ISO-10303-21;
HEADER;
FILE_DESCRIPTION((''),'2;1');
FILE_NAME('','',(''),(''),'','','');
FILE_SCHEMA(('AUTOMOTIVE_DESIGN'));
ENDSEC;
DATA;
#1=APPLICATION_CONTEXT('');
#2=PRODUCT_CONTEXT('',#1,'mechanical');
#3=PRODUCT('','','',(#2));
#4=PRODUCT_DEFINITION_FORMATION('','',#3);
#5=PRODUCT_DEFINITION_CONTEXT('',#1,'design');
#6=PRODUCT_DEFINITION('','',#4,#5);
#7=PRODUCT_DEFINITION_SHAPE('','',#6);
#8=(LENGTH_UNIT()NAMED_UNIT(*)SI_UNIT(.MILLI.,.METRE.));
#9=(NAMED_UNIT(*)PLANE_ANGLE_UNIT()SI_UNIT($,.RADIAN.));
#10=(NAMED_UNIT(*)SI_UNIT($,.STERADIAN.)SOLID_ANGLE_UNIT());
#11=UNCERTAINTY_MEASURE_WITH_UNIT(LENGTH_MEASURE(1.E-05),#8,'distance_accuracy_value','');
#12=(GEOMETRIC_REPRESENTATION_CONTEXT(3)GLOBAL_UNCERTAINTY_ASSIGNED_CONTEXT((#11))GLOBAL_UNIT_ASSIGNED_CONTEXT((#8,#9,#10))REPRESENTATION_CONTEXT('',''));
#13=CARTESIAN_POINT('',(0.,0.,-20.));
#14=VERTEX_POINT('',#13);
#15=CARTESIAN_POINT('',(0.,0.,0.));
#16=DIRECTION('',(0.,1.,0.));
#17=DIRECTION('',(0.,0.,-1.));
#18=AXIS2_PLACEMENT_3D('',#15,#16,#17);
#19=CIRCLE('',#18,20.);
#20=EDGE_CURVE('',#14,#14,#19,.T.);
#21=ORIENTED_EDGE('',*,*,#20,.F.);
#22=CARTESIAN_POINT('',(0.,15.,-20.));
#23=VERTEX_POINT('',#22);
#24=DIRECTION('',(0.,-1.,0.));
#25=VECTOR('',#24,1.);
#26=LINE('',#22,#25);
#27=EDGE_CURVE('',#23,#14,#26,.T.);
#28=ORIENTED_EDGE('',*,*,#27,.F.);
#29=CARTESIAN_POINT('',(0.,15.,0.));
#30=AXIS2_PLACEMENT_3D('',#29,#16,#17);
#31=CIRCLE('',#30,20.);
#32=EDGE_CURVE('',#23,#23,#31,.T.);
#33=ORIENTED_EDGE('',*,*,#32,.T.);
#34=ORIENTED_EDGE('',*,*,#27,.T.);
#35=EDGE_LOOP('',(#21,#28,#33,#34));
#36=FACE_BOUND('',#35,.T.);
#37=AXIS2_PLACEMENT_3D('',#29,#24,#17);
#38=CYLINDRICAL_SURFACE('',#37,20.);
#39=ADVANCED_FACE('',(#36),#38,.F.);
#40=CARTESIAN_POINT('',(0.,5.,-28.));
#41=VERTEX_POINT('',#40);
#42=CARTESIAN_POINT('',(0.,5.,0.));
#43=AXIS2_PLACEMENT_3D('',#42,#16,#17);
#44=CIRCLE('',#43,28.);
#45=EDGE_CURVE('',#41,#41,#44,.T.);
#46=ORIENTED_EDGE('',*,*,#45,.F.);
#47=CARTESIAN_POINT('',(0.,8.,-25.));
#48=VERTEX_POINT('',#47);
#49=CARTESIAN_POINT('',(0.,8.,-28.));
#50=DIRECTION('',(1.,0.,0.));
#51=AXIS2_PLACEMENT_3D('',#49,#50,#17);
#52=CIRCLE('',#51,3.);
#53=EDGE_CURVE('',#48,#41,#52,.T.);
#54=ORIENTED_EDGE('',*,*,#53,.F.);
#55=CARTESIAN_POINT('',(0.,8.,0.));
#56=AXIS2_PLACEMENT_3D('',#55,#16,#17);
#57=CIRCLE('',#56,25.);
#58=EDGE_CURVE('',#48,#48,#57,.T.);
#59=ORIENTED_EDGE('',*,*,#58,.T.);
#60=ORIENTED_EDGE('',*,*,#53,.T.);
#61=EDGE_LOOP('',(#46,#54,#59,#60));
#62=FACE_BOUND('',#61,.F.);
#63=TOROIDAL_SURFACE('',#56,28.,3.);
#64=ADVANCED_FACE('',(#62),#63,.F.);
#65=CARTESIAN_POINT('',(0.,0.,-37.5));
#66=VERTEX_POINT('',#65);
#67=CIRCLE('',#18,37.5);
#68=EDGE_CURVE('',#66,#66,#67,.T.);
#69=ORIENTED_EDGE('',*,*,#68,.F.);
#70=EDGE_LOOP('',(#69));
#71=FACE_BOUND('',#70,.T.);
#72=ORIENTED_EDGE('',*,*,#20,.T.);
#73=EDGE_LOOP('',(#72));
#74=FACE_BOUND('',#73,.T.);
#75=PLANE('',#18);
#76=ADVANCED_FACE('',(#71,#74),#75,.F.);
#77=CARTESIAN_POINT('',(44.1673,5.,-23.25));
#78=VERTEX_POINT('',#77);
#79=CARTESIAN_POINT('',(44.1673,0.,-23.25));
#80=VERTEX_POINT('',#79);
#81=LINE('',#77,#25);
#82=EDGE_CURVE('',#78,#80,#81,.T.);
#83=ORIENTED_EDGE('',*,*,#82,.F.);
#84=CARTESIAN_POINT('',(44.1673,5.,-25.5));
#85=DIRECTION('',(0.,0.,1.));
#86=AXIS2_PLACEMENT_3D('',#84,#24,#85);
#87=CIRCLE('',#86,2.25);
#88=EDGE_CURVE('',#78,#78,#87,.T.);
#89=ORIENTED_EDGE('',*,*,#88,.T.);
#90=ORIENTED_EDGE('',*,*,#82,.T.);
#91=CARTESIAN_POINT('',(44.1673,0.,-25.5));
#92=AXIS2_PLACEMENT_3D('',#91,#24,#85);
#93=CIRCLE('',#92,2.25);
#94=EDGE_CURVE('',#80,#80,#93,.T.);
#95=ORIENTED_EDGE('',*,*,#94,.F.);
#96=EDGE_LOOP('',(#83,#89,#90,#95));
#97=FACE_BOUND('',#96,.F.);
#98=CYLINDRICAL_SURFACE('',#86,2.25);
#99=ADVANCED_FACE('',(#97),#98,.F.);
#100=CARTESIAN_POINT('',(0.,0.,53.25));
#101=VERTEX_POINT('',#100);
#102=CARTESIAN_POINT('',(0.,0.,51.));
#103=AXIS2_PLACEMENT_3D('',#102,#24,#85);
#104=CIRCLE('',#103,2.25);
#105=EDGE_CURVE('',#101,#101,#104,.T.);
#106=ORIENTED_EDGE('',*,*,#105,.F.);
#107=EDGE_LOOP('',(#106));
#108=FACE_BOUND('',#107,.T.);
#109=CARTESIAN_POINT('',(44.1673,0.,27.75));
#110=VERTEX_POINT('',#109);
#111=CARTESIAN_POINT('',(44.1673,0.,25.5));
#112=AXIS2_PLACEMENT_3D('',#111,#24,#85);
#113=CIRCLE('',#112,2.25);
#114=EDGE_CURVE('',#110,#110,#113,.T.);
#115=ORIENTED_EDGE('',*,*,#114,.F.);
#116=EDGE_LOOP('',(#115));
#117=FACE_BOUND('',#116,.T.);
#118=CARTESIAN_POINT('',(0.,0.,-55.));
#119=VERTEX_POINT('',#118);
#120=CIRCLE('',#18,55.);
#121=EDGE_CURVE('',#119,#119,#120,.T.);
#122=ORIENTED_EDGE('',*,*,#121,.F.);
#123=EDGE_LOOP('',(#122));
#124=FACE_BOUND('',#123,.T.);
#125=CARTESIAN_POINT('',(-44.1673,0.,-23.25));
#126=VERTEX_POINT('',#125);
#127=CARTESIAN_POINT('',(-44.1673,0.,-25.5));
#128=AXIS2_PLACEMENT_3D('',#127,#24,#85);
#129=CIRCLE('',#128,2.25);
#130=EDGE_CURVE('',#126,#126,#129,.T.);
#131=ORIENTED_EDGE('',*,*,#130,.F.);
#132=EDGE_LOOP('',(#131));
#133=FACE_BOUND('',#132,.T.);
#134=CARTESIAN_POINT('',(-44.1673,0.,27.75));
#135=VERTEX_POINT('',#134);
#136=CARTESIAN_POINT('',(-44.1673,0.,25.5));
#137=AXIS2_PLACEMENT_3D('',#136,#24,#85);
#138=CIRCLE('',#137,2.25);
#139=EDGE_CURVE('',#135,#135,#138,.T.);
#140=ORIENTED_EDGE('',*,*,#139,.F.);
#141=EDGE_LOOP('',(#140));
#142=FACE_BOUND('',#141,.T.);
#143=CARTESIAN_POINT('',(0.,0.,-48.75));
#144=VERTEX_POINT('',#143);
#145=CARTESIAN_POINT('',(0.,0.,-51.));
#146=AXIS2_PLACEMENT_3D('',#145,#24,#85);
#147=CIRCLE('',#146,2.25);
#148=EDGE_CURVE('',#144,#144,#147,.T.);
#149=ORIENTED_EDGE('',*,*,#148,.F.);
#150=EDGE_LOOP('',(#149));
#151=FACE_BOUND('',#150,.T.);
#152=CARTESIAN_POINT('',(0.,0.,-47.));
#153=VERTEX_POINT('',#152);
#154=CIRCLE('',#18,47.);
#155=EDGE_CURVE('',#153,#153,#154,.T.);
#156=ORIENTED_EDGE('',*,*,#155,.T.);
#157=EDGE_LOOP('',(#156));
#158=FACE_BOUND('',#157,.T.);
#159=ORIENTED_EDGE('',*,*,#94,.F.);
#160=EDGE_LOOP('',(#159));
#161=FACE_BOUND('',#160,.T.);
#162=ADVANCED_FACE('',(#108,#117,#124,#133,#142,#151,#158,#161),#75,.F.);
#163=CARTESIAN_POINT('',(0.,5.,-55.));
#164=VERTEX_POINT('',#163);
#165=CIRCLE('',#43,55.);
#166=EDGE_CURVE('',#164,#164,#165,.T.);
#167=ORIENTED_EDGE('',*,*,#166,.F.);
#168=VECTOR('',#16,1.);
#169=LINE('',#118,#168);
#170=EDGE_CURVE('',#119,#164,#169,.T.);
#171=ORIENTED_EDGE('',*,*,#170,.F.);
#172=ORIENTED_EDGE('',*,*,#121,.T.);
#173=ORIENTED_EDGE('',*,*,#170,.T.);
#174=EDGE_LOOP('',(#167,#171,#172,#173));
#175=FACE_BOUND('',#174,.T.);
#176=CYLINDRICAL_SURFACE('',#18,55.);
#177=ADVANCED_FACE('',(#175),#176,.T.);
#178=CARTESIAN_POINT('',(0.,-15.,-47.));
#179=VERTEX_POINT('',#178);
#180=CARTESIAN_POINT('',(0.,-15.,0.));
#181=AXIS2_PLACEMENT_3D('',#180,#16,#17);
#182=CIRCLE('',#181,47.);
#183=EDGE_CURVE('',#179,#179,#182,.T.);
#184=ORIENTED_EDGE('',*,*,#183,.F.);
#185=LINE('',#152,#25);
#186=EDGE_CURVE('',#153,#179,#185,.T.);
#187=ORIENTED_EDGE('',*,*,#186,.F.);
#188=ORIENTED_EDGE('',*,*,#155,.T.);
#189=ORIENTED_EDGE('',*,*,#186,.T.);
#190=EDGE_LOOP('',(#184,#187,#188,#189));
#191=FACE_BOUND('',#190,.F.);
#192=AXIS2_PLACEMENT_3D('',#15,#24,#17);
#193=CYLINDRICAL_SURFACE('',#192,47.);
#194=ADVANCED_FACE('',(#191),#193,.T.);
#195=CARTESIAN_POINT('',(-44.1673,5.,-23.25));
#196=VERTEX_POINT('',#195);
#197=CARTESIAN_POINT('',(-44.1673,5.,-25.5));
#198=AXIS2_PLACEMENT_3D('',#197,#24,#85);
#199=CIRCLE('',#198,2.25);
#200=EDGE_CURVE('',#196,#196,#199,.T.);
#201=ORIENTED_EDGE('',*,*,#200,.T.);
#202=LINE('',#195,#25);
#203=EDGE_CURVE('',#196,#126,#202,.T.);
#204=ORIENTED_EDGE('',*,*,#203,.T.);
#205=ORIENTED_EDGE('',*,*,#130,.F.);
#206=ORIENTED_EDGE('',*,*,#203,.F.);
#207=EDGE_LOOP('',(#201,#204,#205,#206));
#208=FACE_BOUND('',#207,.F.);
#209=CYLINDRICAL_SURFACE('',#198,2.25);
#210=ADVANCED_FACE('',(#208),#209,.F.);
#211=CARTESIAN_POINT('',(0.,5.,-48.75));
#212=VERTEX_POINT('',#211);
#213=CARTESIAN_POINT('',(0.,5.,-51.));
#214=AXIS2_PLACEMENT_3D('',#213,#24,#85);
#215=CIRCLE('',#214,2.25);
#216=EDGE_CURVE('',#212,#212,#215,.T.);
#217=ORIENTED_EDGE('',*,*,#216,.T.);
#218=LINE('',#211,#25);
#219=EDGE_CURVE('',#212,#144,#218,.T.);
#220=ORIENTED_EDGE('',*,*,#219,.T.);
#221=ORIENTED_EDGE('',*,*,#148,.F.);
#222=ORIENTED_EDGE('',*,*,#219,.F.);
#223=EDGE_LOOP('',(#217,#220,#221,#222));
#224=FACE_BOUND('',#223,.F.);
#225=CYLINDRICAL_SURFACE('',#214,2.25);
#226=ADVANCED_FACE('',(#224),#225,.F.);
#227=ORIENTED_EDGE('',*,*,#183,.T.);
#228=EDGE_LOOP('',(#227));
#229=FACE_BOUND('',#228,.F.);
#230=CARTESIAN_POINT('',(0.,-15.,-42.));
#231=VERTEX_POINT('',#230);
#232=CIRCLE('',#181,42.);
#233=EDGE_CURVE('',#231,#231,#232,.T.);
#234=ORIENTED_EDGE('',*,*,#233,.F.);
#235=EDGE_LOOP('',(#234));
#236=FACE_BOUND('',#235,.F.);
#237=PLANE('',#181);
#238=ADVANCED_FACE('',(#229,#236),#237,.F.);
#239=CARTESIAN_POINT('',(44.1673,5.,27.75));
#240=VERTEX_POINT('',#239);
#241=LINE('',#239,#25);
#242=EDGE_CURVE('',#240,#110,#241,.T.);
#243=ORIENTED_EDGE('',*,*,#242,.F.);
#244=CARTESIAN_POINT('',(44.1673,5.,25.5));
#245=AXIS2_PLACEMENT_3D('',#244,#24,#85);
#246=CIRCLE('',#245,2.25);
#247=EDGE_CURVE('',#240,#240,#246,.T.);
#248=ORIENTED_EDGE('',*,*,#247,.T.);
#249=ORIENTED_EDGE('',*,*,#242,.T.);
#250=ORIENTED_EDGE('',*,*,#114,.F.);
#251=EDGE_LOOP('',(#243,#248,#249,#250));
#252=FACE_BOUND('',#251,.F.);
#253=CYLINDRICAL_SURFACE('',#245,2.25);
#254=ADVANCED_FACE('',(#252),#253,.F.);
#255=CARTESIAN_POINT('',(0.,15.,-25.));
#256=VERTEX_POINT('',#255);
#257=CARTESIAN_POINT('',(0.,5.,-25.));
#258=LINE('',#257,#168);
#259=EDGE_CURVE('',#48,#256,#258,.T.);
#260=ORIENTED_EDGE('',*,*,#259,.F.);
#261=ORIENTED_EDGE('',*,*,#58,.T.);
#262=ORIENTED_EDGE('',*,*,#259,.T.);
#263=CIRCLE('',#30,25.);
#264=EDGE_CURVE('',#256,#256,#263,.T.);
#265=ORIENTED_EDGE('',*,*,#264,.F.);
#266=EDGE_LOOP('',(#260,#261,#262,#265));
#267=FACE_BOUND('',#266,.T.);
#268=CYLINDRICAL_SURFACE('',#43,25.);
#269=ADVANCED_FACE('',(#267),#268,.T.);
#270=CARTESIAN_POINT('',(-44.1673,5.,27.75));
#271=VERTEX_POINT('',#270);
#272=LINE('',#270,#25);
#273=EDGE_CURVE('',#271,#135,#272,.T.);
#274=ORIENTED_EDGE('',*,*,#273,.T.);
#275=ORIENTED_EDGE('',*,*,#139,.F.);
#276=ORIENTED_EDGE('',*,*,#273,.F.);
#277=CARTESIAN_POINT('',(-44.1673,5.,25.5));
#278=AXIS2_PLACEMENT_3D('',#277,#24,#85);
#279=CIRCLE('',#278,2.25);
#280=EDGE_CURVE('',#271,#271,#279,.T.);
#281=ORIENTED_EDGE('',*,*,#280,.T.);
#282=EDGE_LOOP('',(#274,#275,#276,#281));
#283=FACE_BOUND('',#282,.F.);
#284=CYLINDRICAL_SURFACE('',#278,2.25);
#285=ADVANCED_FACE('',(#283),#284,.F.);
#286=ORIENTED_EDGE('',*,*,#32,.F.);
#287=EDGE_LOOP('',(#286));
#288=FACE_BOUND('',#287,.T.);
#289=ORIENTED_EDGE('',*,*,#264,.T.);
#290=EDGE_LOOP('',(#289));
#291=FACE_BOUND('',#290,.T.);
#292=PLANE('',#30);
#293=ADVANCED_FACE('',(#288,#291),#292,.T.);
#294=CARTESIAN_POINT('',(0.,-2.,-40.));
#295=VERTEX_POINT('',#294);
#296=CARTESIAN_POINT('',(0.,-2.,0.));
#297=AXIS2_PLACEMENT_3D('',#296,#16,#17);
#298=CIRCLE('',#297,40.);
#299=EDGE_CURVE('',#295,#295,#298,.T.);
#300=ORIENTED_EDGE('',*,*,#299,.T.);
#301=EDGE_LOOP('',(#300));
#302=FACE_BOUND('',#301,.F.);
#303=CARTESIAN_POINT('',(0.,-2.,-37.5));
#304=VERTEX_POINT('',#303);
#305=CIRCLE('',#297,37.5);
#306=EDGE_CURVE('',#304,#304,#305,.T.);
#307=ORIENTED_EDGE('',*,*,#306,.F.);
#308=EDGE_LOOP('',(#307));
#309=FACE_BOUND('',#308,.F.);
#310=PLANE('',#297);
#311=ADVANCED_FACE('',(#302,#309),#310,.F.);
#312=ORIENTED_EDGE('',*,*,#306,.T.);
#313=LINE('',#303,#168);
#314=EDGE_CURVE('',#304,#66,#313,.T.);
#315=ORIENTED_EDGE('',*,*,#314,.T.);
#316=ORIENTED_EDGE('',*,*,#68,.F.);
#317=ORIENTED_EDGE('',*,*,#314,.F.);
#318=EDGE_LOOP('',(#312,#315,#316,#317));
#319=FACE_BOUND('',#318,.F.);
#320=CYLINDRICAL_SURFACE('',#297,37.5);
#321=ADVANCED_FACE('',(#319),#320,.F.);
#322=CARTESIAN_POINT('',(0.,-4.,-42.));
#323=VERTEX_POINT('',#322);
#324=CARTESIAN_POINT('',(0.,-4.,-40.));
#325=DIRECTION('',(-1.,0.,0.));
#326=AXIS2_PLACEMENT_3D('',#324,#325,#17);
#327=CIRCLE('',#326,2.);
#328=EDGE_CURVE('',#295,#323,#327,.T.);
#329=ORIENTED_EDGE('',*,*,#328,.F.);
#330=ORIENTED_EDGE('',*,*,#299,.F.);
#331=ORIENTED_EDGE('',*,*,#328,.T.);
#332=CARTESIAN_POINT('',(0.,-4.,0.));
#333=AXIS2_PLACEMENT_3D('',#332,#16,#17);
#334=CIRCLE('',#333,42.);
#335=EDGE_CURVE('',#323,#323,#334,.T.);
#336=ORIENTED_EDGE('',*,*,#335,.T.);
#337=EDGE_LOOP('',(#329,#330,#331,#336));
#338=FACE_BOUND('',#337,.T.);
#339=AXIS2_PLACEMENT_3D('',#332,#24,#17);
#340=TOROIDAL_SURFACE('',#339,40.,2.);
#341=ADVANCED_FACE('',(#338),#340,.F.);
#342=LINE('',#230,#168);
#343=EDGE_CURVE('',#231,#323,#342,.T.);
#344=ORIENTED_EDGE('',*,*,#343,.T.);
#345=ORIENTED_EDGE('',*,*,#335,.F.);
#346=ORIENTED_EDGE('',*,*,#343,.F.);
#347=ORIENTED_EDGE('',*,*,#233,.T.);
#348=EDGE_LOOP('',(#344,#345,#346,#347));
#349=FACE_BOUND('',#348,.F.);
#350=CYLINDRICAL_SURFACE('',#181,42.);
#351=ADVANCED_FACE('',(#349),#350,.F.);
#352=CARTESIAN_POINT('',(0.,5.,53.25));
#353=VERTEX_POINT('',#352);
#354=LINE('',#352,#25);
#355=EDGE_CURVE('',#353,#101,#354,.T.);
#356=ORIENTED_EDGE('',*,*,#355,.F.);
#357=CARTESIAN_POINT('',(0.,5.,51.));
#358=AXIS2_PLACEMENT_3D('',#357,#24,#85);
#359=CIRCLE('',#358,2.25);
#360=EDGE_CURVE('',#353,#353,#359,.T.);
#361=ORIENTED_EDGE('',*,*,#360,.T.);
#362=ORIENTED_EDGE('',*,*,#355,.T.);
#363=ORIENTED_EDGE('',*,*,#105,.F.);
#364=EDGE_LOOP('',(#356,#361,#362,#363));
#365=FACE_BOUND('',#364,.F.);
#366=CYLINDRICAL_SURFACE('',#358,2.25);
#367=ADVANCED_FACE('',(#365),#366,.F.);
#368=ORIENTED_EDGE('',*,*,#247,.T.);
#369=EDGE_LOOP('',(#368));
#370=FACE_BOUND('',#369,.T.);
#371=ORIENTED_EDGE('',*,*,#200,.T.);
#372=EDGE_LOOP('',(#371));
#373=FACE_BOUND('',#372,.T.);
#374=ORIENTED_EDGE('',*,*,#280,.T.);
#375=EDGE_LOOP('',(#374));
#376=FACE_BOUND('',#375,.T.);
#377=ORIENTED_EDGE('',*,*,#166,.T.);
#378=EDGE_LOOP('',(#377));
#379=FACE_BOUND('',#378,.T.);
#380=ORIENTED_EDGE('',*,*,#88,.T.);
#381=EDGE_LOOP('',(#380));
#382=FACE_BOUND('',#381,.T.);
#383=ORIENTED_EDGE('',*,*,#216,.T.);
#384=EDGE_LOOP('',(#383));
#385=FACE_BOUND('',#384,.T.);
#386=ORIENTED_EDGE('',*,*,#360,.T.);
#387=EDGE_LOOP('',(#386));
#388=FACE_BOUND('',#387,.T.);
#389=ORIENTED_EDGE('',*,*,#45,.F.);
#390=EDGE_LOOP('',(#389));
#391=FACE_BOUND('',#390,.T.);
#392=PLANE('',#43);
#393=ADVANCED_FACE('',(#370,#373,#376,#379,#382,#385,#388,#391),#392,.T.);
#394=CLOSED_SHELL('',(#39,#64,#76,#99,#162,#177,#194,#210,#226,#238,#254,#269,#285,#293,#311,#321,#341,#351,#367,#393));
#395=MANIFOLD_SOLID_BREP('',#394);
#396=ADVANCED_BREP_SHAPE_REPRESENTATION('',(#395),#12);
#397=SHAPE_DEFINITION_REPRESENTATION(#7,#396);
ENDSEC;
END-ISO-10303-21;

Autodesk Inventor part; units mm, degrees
ref_plane "XZ Plane" through (0, 0, 0) normal (0, 1, 0) x (-1, 0, 0)
ref_plane "XY Plane" through (0, 0, 0) normal (0, 0, 1) x (1, 0, 0)
sketch "Skizze1" plane through (0, 0, 0) normal (1, 0, 0) x (0, 1, 0)
  line L0 (15, -20) -> (5, -20)
  line L1 (5, -20) -> (5, -25)
  line L2 (5, -25) -> (15, -25)
  line L3 (15, -25) -> (15, -20)
  line L4 (5, -20) -> (0, -20)
  line L5 (0, -20) -> (0, -55)
  line L6 (0, -55) -> (5, -55)
  line L7 (5, -55) -> (5, -20)
  line L8 (0, -47) -> (-15, -47)
  line L9 (-15, -47) -> (-15, -42)
  line L10 (-15, -42) -> (0, -42)
  line L11 (0, -42) -> (0, -47)
  line L12 (0, -42) -> (-2, -42)
  line L13 (-2, -42) -> (-2, -37.5)
  line L14 (-2, -37.5) -> (0, -37.5)
  line L15 (0, -37.5) -> (0, -42)
  line L16 (-21, 0) -> (21, 0) projected
  line L17 (0, -66) -> (0, 11) projected
  point P0 (0, 0)
  point P1 (10, -25)
  point P2 (10, -20)
  point P3 (0, -44.5)
  point P4 (2.5, -55)
  point P5 (-7.5, -47)
  point P6 (0, -37.5)
  point P7 (-2, -42)
  point P8 (5, -25)
  dimension "d0" = 5
  dimension "d1" = 5
  dimension "d2" = 35
  dimension "d3" = 10
  dimension "d4" = 8
  dimension "d5" = 5
  dimension "d6" = 15
  dimension "d7" = 20
  dimension "d8" = 2
  dimension "d9" = 4.5
  dimension "d10" = 0
revolve "Umdrehung1" add sketch "Skizze1" angle 360 about axis through (0, -10, 0) along (0, 1, 0)
fillet "Rundung1" radius 3 1 edges at (0, 5, 25)
fillet "Rundung2" radius 2 1 edges at (0, -2, 42)
sketch "Skizze2" plane through (0, 5, 0) normal (0, 1, 0) x (1, 0, 0)
  line L0 (-77, 0) -> (77, 0) projected
  line L1 (0, 77) -> (0, -77) projected
  circle A0 centre (0, 0) radius 51
  circle A1 centre (0, 0) radius 55 projected
  point P0 (0, -51)
  point P1 (44.1673, -25.5)
  point P2 (44.1673, 25.5)
  point P3 (0, 51)
  point P4 (-44.1673, 25.5)
  point P5 (-44.1673, -25.5)
  dimension "d14" = 4
  dimension "d17" = 360
hole "Bohrung1" at (0, 5, 51) at (44.1673, 5, 25.5) at (44.1673, 5, -25.5) at (0, 5, -51) at (-44.1673, 5, -25.5) at (-44.1673, 5, 25.5) direction (0, -1, 0) diameter 4.5 depth 11.8 tip angle 118
properties part number "Deckel Stempel"
